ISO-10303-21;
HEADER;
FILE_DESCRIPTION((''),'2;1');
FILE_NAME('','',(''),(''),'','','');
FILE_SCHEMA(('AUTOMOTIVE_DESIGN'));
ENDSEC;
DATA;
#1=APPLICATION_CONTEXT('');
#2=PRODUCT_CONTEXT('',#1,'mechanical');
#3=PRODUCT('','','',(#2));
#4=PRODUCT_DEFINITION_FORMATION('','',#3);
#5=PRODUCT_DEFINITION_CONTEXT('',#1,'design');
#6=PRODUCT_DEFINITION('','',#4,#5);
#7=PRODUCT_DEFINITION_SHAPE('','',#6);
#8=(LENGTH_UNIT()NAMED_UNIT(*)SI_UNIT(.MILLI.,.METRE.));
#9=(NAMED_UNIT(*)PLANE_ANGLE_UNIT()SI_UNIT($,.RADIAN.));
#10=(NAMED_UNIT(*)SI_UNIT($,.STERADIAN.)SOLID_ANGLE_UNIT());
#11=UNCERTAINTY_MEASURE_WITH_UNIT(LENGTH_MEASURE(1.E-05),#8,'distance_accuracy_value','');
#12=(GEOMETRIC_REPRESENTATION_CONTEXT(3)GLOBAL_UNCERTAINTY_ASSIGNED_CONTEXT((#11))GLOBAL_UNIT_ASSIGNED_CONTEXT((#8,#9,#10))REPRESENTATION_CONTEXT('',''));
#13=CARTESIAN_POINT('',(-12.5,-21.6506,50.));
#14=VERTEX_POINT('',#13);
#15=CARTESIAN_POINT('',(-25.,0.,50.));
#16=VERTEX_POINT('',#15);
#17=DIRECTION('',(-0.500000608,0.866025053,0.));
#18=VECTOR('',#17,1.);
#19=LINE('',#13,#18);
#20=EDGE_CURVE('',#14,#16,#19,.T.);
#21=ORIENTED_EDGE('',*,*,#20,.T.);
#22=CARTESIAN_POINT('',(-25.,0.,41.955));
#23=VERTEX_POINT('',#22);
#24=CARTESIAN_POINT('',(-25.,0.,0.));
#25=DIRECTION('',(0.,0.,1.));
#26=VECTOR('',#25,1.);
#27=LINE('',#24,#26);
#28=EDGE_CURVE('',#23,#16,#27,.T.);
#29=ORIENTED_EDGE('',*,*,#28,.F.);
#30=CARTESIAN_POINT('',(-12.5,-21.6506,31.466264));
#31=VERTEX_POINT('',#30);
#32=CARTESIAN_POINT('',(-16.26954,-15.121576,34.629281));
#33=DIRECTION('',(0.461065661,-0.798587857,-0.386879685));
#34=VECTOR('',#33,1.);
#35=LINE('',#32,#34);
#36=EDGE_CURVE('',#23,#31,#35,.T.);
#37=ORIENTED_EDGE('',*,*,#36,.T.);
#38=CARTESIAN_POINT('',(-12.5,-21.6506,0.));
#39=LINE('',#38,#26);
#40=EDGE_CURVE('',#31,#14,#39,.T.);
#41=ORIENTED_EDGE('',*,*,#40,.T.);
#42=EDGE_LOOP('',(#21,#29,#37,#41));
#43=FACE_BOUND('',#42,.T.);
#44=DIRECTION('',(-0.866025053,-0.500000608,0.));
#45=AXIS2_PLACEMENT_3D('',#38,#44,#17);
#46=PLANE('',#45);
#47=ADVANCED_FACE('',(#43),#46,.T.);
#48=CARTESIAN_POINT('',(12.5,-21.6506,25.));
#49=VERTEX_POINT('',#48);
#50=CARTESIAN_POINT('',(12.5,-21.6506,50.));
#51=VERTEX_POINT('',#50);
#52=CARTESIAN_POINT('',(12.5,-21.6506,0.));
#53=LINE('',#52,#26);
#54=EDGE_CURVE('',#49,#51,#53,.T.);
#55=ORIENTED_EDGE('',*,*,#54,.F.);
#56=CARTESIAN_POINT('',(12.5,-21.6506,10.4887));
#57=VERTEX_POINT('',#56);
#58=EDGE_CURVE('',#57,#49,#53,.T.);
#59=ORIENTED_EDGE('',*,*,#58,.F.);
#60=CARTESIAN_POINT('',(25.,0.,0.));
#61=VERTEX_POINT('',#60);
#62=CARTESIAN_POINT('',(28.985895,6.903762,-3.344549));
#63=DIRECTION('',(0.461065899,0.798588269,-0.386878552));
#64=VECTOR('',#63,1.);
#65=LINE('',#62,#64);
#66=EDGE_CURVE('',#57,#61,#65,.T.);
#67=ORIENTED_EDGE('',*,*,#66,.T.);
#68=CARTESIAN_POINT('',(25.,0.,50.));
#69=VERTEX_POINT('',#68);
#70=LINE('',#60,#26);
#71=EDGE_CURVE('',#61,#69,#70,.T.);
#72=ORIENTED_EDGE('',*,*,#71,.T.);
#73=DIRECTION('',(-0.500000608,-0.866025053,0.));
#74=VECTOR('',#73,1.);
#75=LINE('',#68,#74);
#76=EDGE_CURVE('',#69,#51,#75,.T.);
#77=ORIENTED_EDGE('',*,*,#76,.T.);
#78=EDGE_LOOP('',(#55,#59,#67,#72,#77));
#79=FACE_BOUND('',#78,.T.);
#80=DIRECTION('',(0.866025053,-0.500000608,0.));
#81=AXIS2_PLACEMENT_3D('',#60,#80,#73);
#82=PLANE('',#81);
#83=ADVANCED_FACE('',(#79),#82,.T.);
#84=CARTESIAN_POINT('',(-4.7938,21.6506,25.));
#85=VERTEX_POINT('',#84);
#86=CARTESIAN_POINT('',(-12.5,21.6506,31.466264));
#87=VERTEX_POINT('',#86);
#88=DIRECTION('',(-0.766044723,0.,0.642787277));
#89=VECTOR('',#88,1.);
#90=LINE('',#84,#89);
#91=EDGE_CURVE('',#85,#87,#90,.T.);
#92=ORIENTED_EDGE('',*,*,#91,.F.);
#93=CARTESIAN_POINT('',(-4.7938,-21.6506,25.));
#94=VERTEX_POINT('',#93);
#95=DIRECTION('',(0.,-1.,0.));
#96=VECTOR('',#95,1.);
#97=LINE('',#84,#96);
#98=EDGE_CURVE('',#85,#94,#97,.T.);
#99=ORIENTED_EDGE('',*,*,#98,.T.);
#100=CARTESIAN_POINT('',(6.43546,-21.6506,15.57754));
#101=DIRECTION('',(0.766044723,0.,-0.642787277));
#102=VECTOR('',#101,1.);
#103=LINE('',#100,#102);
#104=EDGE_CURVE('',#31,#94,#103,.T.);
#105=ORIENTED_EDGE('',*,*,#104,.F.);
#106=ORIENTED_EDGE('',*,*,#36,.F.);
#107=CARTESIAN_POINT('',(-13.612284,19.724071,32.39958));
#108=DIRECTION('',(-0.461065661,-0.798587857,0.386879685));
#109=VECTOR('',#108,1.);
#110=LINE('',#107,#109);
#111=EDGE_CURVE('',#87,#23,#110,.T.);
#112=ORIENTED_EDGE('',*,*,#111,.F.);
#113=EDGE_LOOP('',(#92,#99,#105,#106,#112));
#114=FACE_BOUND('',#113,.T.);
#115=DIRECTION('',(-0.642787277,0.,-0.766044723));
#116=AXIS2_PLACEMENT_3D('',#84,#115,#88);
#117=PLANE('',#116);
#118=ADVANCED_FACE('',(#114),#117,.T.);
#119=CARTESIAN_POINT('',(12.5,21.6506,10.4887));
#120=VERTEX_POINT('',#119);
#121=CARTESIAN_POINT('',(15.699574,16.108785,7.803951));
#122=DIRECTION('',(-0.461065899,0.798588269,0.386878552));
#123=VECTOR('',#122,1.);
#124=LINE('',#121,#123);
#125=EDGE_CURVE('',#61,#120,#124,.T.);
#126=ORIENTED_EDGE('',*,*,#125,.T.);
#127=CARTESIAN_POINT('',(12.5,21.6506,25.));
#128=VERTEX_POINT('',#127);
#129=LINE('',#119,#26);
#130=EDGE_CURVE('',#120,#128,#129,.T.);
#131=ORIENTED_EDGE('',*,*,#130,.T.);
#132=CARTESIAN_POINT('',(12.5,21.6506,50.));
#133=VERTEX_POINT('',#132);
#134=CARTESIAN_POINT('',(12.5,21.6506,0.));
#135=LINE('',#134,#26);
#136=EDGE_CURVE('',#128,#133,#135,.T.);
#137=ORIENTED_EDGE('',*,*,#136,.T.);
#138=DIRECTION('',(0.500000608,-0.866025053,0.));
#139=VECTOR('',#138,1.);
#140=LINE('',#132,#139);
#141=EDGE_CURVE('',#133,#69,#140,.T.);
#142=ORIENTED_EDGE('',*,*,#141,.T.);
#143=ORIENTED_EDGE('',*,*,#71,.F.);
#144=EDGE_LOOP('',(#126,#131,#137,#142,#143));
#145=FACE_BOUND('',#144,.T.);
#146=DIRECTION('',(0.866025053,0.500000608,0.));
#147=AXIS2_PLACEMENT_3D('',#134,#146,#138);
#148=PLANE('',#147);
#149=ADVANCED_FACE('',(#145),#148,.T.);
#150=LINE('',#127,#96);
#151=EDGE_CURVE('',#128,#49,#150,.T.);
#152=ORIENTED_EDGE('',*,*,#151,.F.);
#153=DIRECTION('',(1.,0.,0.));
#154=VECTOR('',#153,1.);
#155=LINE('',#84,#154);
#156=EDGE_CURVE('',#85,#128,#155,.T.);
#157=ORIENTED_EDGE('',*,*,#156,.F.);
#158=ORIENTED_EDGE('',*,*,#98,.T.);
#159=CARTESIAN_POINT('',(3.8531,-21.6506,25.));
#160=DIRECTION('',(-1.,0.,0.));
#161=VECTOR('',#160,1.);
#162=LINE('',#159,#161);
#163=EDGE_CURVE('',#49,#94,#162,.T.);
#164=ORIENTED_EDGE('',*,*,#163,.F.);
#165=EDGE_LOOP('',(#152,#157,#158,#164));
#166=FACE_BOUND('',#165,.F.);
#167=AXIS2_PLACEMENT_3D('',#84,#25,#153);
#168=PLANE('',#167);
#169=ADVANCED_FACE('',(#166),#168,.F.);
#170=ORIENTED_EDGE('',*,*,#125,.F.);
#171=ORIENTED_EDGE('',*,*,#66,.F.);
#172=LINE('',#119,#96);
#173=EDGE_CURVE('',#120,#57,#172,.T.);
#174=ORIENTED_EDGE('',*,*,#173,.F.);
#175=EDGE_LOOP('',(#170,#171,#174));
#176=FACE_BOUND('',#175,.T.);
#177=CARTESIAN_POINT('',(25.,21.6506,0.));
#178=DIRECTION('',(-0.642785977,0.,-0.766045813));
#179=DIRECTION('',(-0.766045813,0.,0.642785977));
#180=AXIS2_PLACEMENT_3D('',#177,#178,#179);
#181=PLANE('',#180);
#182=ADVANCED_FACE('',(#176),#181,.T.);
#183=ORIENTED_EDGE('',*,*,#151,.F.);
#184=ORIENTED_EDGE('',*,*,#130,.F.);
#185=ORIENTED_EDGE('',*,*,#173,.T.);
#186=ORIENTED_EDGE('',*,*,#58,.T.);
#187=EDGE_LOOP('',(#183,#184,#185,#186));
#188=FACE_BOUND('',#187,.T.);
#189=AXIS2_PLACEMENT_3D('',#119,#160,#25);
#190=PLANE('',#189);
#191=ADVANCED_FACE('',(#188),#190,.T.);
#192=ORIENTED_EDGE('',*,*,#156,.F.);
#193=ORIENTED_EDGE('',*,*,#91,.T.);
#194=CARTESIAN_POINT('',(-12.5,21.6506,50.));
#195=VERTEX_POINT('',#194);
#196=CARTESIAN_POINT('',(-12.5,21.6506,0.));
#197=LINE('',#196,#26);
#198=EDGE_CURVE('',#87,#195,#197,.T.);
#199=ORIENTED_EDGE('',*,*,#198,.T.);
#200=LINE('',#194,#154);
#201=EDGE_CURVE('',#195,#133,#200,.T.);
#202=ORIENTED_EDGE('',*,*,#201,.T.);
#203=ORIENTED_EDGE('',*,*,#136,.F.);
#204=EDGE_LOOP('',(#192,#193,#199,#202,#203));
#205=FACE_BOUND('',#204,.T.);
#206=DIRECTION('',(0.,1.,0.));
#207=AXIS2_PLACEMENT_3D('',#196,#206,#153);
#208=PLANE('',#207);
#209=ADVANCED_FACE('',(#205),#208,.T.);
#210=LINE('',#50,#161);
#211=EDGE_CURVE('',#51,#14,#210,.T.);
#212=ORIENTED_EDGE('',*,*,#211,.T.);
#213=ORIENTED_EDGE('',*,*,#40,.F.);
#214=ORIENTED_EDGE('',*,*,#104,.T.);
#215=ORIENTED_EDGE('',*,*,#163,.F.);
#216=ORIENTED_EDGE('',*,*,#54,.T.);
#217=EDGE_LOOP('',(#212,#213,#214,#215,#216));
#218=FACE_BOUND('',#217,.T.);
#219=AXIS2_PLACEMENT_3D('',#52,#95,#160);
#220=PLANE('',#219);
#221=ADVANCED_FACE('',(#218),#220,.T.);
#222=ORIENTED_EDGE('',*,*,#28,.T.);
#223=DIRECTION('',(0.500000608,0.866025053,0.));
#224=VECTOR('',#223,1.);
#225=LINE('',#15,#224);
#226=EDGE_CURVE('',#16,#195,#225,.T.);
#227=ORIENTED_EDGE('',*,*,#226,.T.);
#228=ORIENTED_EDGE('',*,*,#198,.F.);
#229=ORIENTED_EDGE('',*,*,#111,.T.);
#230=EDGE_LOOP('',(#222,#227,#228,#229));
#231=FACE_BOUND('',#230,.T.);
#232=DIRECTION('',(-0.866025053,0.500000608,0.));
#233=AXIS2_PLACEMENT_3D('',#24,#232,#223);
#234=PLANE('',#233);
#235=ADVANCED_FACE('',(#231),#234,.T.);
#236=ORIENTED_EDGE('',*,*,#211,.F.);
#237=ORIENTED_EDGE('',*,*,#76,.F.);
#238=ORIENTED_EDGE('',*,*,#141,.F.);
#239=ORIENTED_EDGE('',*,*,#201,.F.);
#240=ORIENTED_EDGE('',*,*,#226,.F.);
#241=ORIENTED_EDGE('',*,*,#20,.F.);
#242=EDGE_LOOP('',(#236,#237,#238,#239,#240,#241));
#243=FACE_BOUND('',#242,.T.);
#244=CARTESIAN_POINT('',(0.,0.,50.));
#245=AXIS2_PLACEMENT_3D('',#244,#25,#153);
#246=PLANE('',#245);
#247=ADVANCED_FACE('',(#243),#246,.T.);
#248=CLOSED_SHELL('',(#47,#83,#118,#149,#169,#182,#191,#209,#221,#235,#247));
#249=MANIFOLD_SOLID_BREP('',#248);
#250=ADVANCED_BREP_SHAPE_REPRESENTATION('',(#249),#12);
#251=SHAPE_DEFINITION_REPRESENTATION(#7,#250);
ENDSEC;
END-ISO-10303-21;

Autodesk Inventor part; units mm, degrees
ref_plane "YZ Plane" through (0, 0, 0) normal (1, 0, 0) x (0, 1, 0)
ref_plane "XZ Plane" through (0, 0, 0) normal (0, 1, 0) x (-1, 0, 0)
ref_plane "XY Plane" through (0, 0, 0) normal (0, 0, 1) x (1, 0, 0)
sketch "Эскиз1" plane through (0, 0, 0) normal (0, 0, 1) x (1, 0, 0)
  line L0 (25, 0) -> (12.5, -21.6506)
  line L1 (12.5, -21.6506) -> (-12.5, -21.6506)
  line L2 (-12.5, -21.6506) -> (-25, 0)
  line L3 (-25, 0) -> (-12.5, 21.6506)
  line L4 (-12.5, 21.6506) -> (12.5, 21.6506)
  line L5 (12.5, 21.6506) -> (25, 0)
  point P0 (0, 0)
  point P1 (0, 0)
extrude "Выдавливание1" add sketch "Эскиз1" along normal blind 50
sketch "Эскиз2" plane through (-12.5, 21.6506, 0) normal (0, 1, 0) x (1, 0, 0)
  point P0 (12.5, 0)
sketch "Эскиз3" plane through (-12.5, 21.6506, 0) normal (0, 1, 0) x (1, 0, 0)
  line L0 (-12.5, 0) -> (0, 0) projected
  line L1 (-12.5, -50) -> (-12.5, 0)
  line L2 (37.5, 0) -> (25, 0) projected
  line L3 (37.5, 0) -> (-12.5, 0)
  line L4 (37.5, 0) -> (37.5, -50) projected
  line L5 (37.5, 0) -> (37.5, -50)
  line L6 (0, -50) -> (-12.5, -50) projected
  line L7 (37.5, -50) -> (-12.5, -50)
  line L8 (-12.5, 0) -> (-12.5, -50) projected
  line L9 (25, -10.4887) -> (25, -50)
  line L10 (37.5, 0) -> (25, -10.4887)
  line L11 (7.7062, -25) -> (-12.5, -41.955)
  line L12 (7.7062, -25) -> (25, -25)
  point P0 (12.5, 0)
extrude "Выдавливание2" cut sketch "Эскиз3" against normal blind 50 contours L0 L3 L2 L10 L9 L12 L11 L1
properties part number "призму"
